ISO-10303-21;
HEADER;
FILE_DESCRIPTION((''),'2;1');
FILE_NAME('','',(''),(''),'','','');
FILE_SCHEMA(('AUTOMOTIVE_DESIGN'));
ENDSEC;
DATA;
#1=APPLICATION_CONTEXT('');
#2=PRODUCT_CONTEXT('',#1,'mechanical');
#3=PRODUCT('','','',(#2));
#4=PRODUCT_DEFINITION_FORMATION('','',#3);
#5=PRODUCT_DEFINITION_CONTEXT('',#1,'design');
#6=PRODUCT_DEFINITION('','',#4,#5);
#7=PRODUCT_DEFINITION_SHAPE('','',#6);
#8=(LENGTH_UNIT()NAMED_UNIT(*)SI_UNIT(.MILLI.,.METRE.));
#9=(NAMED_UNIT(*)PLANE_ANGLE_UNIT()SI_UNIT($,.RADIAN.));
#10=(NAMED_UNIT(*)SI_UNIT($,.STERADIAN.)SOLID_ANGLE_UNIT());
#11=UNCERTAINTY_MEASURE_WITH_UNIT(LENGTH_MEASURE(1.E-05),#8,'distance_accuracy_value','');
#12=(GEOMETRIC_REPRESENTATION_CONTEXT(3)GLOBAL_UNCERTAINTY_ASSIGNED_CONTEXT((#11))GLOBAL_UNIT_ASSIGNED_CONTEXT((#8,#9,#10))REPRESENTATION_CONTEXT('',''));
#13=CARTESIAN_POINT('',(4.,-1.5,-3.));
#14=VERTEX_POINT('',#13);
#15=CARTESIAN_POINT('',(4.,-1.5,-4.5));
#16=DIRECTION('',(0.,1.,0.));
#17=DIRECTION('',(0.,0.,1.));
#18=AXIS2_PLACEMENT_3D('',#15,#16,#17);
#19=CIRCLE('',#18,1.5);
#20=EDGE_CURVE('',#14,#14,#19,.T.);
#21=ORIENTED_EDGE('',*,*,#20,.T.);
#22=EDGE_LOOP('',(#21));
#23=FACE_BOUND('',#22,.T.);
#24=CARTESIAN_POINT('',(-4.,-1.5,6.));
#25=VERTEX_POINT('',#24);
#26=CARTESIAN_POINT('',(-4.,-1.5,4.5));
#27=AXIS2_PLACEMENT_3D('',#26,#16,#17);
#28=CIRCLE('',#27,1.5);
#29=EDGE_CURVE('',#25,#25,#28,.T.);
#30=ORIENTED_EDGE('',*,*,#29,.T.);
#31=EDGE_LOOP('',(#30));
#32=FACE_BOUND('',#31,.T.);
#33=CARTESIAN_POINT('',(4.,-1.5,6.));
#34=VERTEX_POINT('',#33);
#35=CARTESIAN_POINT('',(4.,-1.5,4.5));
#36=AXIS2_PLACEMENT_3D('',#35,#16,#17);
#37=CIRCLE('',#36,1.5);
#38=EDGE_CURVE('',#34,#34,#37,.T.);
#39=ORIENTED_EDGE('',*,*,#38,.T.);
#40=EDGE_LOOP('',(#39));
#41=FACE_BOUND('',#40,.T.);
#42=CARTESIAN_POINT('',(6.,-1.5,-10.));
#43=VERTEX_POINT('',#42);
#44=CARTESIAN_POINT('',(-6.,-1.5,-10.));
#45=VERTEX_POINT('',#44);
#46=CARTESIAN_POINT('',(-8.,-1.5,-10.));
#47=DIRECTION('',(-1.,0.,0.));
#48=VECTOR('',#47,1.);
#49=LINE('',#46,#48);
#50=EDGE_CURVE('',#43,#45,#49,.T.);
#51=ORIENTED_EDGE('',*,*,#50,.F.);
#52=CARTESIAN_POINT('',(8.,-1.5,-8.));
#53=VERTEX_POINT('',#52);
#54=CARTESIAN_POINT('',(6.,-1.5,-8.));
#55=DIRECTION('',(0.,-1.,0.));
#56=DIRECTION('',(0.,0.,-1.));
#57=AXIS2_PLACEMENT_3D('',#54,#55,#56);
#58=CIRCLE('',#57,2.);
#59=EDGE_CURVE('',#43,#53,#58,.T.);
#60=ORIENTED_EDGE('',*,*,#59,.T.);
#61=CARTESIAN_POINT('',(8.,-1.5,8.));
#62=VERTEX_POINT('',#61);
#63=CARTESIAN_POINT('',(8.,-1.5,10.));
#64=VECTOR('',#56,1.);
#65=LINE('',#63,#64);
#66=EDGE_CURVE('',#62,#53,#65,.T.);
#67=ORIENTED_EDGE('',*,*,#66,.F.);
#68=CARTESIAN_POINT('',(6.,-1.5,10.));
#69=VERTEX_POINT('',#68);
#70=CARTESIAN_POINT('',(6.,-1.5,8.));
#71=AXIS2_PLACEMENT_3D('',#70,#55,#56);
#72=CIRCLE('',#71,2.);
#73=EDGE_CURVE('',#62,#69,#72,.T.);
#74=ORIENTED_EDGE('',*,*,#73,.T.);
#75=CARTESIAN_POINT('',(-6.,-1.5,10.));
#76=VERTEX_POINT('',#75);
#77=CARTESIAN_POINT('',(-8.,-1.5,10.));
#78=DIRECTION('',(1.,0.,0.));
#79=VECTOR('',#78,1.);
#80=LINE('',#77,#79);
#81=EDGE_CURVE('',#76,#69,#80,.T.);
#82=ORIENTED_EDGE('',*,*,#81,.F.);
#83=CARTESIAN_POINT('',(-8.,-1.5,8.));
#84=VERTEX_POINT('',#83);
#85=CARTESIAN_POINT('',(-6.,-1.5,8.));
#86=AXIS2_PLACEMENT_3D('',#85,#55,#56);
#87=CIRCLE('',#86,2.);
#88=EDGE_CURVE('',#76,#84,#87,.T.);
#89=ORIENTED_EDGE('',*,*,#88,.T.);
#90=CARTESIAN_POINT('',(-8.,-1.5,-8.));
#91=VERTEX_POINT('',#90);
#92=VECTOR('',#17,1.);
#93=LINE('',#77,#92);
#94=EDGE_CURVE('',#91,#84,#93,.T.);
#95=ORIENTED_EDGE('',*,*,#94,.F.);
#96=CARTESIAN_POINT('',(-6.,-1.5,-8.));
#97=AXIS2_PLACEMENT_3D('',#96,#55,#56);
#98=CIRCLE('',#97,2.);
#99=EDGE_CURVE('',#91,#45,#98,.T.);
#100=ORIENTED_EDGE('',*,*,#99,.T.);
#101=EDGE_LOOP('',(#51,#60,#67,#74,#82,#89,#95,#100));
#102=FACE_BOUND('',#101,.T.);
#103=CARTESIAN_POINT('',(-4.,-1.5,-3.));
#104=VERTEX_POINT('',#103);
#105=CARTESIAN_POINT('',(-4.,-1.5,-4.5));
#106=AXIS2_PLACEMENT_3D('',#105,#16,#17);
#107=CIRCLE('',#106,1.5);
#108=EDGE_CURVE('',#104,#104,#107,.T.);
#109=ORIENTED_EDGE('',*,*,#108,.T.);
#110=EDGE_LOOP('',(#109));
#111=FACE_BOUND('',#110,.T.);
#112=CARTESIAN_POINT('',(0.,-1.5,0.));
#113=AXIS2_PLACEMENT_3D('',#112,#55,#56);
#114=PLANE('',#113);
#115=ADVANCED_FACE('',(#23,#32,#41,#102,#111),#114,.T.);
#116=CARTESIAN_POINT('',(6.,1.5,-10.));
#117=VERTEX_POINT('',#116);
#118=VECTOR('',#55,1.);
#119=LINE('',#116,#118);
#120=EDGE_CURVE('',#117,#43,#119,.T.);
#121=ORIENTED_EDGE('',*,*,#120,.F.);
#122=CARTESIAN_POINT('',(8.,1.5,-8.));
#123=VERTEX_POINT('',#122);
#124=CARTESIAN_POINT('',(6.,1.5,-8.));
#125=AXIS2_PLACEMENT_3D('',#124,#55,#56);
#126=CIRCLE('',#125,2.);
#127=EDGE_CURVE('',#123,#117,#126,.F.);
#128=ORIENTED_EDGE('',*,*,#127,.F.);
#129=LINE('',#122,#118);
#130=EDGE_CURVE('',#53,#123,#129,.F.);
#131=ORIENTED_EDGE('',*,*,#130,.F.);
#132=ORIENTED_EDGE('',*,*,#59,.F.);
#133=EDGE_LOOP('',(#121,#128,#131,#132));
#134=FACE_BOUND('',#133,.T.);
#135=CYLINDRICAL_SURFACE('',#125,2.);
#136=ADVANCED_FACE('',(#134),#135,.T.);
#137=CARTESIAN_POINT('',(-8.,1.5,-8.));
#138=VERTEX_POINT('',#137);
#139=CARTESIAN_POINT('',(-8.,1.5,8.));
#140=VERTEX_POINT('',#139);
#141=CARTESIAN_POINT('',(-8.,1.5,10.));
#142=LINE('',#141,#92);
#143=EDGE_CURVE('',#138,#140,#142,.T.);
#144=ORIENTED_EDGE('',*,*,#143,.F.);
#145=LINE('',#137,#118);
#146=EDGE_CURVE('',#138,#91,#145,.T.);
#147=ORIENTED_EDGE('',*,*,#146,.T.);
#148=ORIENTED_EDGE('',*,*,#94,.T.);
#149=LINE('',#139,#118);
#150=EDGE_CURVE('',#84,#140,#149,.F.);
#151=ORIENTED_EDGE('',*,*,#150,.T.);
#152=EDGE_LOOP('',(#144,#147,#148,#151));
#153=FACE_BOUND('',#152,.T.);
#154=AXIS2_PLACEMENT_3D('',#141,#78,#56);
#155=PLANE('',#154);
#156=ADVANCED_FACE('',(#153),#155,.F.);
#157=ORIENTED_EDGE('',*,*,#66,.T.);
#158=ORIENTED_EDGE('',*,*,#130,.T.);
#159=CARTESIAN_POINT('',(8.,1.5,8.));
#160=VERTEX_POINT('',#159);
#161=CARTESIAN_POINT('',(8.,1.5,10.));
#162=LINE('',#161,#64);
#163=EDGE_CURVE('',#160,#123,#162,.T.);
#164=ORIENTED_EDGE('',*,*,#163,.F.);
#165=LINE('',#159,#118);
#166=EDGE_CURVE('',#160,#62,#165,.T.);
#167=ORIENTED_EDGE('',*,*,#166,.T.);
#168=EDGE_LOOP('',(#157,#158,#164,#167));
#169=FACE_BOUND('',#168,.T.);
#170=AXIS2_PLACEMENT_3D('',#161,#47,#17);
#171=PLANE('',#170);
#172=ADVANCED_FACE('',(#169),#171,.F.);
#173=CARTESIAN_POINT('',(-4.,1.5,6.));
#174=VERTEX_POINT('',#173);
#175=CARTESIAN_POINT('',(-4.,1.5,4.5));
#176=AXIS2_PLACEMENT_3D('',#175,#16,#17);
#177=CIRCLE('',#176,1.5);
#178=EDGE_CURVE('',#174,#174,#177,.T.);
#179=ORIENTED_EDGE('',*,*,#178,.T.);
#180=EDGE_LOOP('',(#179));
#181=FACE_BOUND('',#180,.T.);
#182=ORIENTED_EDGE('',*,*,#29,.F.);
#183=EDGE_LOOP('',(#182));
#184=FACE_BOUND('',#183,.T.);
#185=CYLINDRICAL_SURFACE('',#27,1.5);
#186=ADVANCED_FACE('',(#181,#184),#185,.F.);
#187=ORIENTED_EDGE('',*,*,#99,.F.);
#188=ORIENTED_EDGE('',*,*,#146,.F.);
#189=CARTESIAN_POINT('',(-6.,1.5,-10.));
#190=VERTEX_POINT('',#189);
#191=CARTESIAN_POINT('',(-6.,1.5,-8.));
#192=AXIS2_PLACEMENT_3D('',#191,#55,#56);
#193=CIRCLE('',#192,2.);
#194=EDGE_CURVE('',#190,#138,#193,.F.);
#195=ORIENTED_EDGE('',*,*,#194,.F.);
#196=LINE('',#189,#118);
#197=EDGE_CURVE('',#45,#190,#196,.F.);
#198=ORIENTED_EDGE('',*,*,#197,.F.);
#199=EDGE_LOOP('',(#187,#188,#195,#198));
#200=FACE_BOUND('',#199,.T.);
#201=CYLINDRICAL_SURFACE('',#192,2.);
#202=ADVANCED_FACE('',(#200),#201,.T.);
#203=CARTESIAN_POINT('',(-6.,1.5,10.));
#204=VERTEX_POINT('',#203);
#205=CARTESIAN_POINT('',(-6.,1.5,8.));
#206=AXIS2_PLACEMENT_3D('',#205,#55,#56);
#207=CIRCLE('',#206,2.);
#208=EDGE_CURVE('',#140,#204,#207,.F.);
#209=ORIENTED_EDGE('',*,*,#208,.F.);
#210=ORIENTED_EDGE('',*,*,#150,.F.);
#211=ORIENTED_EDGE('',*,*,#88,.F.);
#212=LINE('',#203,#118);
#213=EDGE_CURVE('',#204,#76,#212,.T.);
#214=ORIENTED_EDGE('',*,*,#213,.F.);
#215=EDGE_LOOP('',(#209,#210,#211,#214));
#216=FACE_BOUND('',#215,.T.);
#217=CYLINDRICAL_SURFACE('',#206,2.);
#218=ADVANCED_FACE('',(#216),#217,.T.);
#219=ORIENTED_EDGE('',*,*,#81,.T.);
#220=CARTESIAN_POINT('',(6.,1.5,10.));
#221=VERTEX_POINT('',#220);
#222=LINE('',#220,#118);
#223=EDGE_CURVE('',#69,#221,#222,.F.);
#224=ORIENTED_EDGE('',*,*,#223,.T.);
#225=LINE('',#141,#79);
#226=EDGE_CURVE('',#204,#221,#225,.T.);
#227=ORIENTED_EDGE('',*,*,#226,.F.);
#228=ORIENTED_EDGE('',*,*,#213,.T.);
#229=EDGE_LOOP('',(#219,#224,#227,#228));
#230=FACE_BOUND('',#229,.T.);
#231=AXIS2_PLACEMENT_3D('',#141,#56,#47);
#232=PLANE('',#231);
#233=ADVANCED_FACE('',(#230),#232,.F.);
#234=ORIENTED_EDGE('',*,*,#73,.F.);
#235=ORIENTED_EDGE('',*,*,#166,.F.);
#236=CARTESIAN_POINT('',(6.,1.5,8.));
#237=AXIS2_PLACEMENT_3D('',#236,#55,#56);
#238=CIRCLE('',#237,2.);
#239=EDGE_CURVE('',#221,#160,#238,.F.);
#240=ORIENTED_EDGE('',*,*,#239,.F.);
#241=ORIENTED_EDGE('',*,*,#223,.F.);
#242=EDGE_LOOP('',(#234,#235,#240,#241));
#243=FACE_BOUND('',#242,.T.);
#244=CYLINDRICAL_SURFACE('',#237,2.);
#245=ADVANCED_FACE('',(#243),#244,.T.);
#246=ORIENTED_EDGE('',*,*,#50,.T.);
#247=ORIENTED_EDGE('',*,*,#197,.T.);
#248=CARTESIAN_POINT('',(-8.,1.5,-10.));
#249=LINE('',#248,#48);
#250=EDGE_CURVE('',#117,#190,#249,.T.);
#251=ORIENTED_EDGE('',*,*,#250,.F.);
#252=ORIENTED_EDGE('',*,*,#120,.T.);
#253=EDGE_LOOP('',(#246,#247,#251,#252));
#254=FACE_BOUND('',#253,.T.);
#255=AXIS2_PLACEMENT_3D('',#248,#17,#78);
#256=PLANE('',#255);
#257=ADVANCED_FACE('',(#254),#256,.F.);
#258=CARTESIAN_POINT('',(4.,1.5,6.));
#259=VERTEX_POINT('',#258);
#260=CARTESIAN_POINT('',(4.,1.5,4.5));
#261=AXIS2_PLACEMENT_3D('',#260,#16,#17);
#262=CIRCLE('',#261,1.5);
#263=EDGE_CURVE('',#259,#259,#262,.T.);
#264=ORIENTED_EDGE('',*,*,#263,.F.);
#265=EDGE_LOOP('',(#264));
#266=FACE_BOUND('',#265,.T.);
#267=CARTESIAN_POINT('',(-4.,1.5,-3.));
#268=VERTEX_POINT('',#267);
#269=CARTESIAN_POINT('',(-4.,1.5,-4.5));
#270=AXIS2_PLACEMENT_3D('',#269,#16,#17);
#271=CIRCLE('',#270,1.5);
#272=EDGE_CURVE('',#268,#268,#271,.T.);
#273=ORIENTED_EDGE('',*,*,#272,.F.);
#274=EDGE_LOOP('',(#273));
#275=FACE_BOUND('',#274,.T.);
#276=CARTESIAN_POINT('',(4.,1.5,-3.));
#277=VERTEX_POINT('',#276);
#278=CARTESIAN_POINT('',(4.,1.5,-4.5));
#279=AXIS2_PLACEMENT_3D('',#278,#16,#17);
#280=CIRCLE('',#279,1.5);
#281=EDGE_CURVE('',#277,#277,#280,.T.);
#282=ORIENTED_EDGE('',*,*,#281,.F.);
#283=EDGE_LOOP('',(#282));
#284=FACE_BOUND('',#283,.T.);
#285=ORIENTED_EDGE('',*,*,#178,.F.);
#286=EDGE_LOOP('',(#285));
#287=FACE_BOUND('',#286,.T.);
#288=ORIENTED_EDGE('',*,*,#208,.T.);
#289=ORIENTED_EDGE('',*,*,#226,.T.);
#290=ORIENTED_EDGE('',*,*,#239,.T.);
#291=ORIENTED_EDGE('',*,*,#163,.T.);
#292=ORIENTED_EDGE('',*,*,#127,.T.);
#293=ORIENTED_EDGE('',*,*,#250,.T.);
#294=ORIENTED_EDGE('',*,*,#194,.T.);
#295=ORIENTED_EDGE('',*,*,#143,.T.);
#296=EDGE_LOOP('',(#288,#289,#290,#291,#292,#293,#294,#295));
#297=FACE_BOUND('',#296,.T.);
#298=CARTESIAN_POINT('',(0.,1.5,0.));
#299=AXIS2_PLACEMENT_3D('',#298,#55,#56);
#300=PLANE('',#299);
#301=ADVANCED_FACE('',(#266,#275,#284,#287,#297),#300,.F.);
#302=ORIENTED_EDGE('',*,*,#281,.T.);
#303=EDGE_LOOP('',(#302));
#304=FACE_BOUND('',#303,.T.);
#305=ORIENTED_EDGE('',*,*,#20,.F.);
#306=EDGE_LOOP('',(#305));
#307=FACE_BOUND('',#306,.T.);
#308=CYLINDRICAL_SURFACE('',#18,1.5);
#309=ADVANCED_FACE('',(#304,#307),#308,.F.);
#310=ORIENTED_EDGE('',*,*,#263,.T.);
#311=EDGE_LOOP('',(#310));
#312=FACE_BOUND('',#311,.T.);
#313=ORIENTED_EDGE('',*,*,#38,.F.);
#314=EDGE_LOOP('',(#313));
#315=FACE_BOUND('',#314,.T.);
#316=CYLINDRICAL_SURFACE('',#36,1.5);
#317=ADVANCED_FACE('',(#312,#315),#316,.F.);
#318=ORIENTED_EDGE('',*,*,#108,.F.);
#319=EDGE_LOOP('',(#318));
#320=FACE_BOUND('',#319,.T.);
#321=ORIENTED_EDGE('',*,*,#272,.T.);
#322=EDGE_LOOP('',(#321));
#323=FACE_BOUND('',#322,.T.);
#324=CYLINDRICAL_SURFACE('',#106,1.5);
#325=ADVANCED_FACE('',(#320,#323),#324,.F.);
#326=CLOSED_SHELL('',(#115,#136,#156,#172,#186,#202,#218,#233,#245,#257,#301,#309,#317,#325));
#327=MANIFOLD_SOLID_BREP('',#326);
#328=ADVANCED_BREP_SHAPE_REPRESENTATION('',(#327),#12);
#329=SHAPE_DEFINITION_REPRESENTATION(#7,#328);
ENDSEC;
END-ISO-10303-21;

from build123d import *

# Parameters (mm, degrees)
SKETCH1_W           = 16
SKETCH1_H           = 20
BOSS_EXTRUDE1_DEPTH = 1.5
SKETCH2_R           = 1.5
CUT_EXTRUDE1_DEPTH  = 3
FILLET1_R           = 2


with BuildPart() as part:
    # Sketch1 → Boss-Extrude1 (new, symmetric)
    with BuildSketch(Plane(origin=(0, 0, 0), x_dir=(1, 0, 0), z_dir=(0, 1, 0))):
        Rectangle(SKETCH1_W, SKETCH1_H)
    extrude(amount=BOSS_EXTRUDE1_DEPTH, both=True)

    # Sketch2 → Cut-Extrude1 (cut)
    with BuildSketch(Plane(origin=(0, 1.5, 0), x_dir=(1, 0, 0), z_dir=(0, 1, 0))):
        with Locations(Location((-4, -4.5, 0), (0, 0, 270))):
            Circle(SKETCH2_R)
        with Locations(Location((-4, 4.5, 0), (0, 0, 270))):
            Circle(SKETCH2_R)
        with Locations(Location((4, 4.5, 0), (0, 0, 270))):
            Circle(SKETCH2_R)
        with Locations(Location((4, -4.5, 0), (0, 0, 270))):
            Circle(SKETCH2_R)
    extrude(amount=-CUT_EXTRUDE1_DEPTH, mode=Mode.SUBTRACT)

    # Fillet1
    fillet1_edges = [part.edges().sort_by_distance(p)[0] for p in [
        (8, 0, 10),
        (-8, 0, 10),
        (-8, 0, -10),
        (8, 0, -10),
    ]]
    fillet(fillet1_edges, radius=FILLET1_R)


solid = part.part
